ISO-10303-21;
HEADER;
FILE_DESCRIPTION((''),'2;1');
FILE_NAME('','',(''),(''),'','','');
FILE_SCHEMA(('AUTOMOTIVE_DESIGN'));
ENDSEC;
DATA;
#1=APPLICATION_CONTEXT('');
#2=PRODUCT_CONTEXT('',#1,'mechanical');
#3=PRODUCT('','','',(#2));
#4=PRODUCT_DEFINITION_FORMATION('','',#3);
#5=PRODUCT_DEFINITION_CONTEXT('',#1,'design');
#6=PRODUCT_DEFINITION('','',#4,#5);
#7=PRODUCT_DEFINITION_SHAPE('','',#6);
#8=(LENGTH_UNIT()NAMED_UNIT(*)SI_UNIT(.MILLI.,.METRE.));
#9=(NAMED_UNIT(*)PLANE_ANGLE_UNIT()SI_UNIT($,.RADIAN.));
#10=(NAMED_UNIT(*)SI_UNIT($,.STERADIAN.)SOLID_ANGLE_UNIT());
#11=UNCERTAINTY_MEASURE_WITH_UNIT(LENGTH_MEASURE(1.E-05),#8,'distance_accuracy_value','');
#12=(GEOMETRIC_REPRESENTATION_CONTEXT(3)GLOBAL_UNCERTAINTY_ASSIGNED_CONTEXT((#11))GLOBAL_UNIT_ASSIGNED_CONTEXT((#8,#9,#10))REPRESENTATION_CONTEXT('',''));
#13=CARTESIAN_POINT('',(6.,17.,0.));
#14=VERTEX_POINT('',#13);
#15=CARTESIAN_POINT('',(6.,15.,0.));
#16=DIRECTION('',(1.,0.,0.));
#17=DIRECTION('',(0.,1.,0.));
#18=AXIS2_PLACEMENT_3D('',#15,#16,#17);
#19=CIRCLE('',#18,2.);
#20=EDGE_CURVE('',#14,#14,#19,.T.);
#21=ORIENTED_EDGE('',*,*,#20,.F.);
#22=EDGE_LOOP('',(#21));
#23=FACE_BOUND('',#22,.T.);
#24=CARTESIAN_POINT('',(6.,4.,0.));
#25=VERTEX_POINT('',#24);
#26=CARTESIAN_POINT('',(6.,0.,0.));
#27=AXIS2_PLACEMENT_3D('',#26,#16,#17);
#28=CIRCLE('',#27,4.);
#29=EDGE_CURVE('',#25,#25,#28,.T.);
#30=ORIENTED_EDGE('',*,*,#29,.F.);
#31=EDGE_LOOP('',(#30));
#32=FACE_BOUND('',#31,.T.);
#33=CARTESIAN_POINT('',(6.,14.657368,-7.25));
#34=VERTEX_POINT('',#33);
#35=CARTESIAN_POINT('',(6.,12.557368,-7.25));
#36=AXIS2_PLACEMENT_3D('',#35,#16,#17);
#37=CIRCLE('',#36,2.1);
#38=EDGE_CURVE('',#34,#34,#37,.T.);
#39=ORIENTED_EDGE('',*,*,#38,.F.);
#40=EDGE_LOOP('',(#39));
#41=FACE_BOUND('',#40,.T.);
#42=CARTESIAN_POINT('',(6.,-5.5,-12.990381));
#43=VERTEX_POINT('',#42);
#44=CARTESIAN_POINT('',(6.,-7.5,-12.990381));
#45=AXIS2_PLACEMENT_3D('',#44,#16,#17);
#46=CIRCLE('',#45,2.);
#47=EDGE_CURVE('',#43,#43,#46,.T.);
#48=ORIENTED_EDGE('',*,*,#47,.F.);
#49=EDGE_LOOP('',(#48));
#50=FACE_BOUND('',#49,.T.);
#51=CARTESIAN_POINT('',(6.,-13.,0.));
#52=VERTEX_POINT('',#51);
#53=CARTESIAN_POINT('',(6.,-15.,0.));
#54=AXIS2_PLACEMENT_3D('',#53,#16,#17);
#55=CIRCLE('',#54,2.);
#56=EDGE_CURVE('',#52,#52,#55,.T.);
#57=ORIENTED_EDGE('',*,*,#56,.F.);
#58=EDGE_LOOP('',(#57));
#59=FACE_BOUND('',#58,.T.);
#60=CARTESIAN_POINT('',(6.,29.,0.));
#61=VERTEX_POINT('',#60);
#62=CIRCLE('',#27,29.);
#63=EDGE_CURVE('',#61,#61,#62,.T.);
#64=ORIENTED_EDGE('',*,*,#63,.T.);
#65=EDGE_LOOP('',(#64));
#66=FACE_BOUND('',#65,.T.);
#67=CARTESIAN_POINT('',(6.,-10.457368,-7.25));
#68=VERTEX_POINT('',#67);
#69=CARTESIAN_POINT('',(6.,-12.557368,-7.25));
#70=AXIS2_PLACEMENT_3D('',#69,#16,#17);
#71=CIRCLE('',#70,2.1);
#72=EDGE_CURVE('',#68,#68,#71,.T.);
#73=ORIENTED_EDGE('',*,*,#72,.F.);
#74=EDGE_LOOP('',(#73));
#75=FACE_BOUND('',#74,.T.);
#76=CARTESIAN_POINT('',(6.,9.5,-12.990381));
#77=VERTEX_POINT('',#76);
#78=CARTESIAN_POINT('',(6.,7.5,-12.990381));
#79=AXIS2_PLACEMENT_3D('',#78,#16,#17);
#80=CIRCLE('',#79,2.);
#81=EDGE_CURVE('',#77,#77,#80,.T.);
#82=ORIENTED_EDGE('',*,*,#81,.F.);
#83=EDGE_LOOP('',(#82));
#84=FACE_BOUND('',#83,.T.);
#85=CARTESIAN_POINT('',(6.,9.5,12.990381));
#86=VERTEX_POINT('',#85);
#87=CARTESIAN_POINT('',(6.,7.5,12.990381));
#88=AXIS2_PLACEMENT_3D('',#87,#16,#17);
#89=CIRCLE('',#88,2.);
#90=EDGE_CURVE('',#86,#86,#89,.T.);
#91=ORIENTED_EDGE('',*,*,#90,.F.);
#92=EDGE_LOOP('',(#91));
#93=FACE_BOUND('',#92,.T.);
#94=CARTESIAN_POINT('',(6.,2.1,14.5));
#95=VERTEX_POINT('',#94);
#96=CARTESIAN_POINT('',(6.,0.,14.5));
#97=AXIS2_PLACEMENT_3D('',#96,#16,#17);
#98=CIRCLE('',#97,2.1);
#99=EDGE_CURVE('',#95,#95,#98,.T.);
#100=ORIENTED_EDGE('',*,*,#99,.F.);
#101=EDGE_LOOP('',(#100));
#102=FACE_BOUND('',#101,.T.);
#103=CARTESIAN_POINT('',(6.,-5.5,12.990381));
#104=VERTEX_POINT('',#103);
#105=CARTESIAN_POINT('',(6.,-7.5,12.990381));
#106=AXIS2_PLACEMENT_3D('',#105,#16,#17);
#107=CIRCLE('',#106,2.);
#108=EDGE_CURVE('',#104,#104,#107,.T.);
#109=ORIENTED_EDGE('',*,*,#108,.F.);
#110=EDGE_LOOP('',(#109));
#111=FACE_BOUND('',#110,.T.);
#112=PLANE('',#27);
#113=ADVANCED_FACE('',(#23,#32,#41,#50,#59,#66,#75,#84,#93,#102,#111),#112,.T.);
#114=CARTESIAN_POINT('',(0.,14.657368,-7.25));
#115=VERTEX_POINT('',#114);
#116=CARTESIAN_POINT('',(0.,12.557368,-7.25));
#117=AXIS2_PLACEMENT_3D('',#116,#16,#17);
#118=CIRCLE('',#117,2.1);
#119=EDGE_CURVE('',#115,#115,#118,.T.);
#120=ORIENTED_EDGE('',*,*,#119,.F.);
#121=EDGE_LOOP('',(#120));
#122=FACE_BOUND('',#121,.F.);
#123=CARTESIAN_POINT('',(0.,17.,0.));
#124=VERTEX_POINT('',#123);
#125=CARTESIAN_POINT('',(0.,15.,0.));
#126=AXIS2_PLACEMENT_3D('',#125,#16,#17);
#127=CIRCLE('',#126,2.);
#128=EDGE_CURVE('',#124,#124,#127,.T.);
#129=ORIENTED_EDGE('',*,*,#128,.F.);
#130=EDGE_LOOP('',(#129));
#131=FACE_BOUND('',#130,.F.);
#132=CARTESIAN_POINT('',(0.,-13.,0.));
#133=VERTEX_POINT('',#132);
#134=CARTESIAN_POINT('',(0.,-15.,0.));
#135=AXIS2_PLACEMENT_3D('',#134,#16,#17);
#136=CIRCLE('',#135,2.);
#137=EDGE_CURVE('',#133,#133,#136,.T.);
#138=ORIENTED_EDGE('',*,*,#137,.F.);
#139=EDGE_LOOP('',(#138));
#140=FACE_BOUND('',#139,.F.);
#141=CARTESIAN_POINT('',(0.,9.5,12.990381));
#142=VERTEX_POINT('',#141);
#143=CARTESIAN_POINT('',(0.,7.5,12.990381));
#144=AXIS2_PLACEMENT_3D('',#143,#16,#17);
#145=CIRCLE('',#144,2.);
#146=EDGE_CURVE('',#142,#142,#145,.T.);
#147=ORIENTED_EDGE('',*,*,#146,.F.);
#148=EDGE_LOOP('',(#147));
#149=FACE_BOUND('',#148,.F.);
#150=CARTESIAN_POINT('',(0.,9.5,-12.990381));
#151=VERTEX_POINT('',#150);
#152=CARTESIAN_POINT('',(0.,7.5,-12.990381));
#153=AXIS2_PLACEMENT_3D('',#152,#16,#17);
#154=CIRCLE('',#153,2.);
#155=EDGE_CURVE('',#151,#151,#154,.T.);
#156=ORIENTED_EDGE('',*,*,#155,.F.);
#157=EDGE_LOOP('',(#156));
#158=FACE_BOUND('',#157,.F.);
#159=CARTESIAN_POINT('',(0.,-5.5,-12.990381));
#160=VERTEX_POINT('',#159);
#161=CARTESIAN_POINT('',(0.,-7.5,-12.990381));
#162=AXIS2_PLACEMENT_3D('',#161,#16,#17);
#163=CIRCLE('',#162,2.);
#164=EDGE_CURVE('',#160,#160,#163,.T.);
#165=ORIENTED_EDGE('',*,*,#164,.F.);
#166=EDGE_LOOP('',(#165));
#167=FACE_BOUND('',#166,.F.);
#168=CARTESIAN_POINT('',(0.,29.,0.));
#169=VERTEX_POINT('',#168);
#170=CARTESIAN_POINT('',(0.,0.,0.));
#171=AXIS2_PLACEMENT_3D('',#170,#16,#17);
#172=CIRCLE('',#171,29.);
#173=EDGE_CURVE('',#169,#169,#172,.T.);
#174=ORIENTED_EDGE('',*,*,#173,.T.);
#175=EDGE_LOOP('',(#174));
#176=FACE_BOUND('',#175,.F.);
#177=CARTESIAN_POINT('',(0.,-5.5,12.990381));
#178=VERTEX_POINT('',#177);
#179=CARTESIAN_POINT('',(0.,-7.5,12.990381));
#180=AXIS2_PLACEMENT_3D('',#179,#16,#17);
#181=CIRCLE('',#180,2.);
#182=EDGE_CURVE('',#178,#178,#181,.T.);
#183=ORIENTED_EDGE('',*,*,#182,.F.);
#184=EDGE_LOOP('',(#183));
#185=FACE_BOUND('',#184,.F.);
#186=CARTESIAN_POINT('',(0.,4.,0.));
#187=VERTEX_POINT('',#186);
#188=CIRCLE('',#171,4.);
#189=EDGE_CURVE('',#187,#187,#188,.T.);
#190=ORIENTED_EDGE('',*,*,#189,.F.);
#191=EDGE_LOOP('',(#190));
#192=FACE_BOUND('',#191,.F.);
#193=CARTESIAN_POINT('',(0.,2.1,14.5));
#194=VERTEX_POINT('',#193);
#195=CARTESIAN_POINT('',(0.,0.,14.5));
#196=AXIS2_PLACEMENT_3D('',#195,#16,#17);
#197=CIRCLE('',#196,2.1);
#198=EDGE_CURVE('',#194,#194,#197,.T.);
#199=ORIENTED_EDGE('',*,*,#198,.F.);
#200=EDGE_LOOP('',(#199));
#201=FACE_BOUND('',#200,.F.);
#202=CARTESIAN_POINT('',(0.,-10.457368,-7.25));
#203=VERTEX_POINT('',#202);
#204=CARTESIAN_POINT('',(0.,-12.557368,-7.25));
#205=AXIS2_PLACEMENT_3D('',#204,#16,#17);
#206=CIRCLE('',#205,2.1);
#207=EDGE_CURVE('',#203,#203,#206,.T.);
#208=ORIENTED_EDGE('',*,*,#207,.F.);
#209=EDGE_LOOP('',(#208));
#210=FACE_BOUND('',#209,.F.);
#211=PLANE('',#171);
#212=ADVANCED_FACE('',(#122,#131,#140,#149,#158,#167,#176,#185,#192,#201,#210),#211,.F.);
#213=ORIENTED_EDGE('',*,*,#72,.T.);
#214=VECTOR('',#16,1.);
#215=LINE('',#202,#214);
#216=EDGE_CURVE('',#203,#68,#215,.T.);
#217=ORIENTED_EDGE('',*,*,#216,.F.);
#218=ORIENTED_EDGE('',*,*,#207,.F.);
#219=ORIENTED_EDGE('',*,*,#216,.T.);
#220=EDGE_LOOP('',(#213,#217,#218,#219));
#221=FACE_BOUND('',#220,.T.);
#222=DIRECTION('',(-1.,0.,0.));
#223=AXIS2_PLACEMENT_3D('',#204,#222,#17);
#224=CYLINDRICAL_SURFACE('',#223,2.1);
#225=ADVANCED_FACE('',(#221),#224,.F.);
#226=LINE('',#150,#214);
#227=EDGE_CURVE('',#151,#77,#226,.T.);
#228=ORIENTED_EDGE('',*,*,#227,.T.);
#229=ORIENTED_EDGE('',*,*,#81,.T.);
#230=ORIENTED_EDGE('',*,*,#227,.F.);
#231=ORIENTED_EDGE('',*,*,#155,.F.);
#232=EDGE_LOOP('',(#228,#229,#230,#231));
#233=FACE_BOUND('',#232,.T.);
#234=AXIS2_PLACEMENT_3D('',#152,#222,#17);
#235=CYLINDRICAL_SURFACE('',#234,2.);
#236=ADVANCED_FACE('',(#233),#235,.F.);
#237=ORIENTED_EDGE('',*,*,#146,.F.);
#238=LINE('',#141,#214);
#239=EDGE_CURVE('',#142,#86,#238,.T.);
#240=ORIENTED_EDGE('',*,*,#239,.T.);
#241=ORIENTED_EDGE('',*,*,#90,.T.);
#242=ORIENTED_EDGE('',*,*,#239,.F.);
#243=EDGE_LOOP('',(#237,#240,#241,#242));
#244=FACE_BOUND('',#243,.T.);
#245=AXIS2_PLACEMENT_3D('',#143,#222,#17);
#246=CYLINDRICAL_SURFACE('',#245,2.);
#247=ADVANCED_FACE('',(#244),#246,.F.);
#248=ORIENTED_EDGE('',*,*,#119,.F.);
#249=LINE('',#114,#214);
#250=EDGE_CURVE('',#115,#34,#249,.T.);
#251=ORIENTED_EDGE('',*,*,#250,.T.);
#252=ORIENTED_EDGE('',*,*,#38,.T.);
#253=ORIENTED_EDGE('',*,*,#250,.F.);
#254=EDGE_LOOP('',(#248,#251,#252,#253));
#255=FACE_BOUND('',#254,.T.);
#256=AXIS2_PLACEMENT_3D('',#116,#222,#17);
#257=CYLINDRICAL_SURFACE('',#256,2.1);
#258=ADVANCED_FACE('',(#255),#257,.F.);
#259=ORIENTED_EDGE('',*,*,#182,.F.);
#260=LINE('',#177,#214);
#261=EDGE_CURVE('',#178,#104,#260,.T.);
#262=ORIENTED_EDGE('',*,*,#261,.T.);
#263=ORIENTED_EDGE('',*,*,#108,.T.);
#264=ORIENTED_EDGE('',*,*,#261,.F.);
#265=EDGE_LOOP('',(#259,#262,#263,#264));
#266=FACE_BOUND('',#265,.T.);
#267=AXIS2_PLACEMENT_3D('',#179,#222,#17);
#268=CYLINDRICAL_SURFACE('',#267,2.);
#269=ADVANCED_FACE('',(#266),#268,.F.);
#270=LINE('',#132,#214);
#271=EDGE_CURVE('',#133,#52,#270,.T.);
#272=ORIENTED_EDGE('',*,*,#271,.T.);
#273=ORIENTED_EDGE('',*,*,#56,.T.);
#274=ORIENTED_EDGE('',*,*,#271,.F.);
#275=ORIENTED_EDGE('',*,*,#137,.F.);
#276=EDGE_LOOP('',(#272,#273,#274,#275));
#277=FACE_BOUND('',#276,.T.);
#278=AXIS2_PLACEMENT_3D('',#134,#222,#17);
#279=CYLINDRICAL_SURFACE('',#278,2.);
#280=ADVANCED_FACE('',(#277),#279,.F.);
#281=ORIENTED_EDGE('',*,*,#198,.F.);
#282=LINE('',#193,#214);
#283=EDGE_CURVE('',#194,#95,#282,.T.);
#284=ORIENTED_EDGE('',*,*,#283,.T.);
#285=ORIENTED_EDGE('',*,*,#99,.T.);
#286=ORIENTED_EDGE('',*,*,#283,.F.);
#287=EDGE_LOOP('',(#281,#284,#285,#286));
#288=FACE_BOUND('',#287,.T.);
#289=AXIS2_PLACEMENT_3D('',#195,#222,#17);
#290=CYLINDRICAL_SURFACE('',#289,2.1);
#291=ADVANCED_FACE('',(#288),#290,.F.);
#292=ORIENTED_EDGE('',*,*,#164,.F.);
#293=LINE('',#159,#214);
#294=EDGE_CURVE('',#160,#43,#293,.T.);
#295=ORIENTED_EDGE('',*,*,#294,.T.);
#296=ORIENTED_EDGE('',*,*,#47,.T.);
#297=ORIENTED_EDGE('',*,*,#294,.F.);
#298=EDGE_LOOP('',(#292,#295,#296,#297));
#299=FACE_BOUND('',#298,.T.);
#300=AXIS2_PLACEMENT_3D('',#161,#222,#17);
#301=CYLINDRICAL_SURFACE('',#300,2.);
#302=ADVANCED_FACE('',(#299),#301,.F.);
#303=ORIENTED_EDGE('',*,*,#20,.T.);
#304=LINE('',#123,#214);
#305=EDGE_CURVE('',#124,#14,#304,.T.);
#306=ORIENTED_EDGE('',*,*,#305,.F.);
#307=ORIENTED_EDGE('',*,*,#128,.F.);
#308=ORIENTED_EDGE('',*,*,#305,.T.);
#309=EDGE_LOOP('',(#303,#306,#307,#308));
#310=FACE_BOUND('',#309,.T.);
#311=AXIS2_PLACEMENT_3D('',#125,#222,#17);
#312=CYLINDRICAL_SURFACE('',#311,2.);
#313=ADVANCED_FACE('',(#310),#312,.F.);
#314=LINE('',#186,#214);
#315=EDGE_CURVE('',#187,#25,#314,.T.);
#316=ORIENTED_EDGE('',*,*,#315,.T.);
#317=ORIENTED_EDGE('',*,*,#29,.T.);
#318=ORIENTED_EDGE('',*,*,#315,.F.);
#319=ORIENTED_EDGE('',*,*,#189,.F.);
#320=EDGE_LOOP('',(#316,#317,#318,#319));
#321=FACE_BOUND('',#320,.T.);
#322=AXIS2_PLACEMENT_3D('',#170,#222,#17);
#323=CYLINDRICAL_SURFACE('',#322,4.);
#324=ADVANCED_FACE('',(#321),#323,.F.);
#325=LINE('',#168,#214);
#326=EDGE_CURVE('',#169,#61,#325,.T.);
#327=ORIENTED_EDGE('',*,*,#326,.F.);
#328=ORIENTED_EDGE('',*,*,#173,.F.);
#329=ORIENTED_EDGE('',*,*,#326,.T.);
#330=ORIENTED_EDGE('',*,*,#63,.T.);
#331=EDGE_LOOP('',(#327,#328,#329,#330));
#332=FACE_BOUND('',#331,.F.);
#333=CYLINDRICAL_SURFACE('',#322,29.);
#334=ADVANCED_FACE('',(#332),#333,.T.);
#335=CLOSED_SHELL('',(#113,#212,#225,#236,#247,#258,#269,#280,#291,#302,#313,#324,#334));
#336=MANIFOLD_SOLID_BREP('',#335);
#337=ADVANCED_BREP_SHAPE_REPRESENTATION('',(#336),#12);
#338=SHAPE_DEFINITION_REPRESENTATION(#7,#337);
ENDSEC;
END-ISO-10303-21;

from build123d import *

# Parameters (mm, degrees)
F0_R     = 29
F0_R_2   = 2
F0_R_3   = 2.1
F0_R_4   = 4
F1_DEPTH = 6


with BuildPart() as f1:
    # F0 (on Right) → F1 (new body)
    with BuildSketch(Plane.YZ):
        Circle(F0_R)
        with Locations((-7.5, -12.990381)):
            Circle(F0_R_2, mode=Mode.SUBTRACT)
        with Locations((-12.557368, -7.25)):
            Circle(F0_R_3, mode=Mode.SUBTRACT)
        with Locations((7.5, -12.990381)):
            Circle(F0_R_2, mode=Mode.SUBTRACT)
        with Locations((12.557368, -7.25)):
            Circle(F0_R_3, mode=Mode.SUBTRACT)
        with Locations((-15, 0)):
            Circle(F0_R_2, mode=Mode.SUBTRACT)
        with Locations((-7.5, 12.990381)):
            Circle(F0_R_2, mode=Mode.SUBTRACT)
        Circle(F0_R_4, mode=Mode.SUBTRACT)
        with Locations((7.5, 12.990381)):
            Circle(F0_R_2, mode=Mode.SUBTRACT)
        with Locations((15, 0)):
            Circle(F0_R_2, mode=Mode.SUBTRACT)
        with Locations((0, 14.5)):
            Circle(F0_R_3, mode=Mode.SUBTRACT)
    extrude(amount=F1_DEPTH)


solid = f1.part
